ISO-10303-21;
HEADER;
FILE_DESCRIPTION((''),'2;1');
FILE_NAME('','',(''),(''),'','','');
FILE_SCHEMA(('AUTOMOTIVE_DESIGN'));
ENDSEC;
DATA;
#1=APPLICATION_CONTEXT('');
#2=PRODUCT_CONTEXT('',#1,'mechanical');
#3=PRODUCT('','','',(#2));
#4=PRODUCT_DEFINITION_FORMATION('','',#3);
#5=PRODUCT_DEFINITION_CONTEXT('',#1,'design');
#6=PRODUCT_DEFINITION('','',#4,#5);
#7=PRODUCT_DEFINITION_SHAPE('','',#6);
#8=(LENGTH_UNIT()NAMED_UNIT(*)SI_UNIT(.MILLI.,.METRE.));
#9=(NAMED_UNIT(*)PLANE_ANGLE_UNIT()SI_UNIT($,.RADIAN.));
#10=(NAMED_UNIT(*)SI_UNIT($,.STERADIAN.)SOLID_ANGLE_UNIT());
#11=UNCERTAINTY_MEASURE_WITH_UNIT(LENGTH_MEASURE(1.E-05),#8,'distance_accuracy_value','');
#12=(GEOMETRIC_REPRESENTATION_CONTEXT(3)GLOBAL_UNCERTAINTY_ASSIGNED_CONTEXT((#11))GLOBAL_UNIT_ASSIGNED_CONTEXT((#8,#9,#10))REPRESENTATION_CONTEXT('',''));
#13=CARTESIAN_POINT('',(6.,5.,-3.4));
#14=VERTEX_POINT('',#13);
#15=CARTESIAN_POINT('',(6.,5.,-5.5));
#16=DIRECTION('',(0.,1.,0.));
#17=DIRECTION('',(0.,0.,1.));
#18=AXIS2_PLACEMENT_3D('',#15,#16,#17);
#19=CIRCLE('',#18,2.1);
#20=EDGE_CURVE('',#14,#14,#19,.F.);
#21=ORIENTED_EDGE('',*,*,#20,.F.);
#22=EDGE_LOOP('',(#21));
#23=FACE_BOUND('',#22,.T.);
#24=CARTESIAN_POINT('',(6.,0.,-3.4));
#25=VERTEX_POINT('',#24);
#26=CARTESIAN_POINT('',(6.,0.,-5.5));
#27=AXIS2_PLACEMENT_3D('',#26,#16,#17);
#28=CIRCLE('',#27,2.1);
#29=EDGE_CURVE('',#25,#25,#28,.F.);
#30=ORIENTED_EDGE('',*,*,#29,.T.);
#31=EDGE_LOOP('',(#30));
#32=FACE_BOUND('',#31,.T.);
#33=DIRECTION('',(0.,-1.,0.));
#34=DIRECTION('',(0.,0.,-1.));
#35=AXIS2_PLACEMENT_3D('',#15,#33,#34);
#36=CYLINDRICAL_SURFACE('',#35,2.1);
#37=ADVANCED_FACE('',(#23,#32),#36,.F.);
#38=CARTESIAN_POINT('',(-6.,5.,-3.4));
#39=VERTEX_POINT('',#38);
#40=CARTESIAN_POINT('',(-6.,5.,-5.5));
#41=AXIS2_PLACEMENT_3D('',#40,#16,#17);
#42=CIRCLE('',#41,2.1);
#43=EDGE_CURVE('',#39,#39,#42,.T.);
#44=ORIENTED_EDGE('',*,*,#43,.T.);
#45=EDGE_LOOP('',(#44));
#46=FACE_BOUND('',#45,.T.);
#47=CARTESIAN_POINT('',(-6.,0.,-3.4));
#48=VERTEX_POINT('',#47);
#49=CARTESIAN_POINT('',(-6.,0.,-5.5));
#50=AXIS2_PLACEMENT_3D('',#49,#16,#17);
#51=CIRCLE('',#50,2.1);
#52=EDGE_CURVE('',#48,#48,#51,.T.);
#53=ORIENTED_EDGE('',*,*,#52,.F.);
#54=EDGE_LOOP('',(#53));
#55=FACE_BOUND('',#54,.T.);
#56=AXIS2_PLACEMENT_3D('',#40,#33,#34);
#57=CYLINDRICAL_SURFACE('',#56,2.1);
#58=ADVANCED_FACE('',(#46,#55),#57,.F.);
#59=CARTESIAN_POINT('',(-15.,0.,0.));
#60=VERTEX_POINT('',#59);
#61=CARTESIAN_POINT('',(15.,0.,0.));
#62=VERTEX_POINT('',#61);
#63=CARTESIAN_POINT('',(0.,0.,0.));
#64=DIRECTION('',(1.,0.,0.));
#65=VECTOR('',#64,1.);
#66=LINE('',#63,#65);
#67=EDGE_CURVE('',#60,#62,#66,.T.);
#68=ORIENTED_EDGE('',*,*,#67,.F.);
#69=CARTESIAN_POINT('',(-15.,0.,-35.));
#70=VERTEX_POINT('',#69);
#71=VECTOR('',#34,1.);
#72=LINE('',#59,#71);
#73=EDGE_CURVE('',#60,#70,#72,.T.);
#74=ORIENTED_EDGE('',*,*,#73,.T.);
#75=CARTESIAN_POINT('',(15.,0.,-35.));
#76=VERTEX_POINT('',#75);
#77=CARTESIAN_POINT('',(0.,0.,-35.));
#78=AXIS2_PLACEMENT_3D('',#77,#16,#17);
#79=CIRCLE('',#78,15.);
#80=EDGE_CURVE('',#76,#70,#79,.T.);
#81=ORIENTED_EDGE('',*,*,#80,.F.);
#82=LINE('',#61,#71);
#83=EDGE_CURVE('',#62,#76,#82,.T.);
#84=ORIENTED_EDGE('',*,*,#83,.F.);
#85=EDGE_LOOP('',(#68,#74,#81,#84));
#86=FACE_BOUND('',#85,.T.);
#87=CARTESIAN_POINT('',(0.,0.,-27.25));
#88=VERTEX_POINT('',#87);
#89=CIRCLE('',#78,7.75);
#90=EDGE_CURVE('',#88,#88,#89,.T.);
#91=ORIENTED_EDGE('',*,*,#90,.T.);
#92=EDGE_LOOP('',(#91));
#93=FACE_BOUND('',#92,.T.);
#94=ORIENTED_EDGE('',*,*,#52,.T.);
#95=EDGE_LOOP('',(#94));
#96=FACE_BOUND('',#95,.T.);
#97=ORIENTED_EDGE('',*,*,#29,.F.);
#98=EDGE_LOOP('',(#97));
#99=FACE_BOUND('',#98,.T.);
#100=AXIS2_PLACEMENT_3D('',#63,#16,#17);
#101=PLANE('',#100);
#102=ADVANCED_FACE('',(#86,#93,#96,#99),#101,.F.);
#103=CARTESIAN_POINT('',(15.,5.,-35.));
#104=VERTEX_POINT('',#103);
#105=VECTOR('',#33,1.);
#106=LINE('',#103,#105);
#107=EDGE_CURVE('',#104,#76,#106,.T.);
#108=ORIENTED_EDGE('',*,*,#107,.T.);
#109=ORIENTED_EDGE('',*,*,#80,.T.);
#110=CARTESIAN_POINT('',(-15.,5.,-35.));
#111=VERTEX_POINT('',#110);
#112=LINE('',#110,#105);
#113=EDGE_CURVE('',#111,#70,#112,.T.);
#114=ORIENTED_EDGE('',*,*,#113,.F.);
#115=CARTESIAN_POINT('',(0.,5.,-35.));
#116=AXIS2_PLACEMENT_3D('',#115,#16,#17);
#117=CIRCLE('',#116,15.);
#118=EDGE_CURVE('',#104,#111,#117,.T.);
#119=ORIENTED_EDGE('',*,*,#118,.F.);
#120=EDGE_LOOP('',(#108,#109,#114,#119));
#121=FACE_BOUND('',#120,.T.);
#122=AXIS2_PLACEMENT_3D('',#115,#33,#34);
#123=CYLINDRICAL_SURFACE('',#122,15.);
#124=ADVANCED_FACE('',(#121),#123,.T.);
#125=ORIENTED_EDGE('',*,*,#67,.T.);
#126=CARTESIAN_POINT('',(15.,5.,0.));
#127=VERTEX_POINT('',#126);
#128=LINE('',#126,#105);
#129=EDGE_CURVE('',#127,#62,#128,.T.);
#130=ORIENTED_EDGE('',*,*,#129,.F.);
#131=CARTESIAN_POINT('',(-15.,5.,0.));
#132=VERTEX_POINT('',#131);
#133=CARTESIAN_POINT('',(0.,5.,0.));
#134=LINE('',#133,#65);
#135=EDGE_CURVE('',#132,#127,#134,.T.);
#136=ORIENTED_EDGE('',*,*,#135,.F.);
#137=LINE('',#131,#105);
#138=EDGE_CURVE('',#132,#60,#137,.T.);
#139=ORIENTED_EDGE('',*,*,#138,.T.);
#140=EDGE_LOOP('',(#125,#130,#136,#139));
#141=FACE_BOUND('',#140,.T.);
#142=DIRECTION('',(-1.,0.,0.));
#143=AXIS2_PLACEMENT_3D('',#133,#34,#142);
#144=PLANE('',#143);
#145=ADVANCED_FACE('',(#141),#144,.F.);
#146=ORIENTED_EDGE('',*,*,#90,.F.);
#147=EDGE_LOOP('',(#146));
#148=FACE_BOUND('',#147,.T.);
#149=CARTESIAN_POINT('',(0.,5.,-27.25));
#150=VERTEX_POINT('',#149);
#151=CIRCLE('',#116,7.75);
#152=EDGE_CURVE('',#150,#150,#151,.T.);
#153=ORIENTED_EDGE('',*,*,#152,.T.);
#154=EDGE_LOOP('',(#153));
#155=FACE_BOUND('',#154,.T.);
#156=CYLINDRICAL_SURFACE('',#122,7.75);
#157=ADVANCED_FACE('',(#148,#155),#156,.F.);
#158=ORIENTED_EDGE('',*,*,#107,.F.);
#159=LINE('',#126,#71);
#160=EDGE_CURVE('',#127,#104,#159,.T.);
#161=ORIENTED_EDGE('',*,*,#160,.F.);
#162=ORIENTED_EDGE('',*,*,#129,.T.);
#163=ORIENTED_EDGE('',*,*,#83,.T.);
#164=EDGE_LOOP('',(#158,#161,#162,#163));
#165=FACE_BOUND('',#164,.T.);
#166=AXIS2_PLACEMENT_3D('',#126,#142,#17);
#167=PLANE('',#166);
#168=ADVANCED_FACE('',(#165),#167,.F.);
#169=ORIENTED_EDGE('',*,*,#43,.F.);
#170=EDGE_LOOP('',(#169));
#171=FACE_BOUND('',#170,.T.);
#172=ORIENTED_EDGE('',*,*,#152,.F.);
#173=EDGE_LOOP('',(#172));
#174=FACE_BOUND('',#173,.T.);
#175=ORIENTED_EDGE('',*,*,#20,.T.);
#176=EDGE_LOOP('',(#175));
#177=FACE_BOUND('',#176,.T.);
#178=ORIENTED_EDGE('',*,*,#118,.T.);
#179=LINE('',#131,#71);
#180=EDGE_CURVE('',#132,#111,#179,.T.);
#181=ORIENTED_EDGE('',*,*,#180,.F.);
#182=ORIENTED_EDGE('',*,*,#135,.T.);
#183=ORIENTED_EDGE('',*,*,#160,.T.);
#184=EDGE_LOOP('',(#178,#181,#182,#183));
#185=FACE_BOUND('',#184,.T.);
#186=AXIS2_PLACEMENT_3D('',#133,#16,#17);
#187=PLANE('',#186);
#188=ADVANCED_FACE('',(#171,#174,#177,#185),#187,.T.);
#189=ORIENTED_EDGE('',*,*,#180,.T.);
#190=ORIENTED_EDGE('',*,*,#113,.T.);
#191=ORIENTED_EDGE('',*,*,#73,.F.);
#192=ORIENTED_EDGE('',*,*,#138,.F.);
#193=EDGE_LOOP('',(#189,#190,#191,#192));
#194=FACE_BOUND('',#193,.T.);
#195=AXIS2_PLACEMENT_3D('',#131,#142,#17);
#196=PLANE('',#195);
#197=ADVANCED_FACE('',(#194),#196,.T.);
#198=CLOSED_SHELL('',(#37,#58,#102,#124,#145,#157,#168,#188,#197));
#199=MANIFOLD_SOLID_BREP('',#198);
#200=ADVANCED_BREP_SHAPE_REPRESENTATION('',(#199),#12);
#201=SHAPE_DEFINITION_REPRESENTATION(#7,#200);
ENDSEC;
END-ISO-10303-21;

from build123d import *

# Parameters (mm, degrees)
SKETCH_1_R      = 7.75
SKETCH_1_R_2    = 2.1
EXTRUDE_1_DEPTH = 5


with BuildPart() as part:
    # 草图1 → 凸台-拉伸1 (new body)
    with BuildSketch(Plane(origin=(0, 0, 0), x_dir=(1, 0, 0), z_dir=(0, 1, 0))):
        with BuildLine():
            Line((15, 0), (15, 35))
            ThreePointArc((15, 35), (0, 50), (-15, 35))
            Line((-15, 35), (-15, 0))
            Line((-15, 0), (15, 0))
        make_face()
        with Locations(Location((0, 35, 0), (0, 0, 270))):
            Circle(SKETCH_1_R, mode=Mode.SUBTRACT)
        with Locations(Location((-6, 5.5, 0), (0, 0, 270))):
            Circle(SKETCH_1_R_2, mode=Mode.SUBTRACT)
        with Locations(Location((6, 5.5, 0), (0, 0, 270))):
            Circle(SKETCH_1_R_2, mode=Mode.SUBTRACT)
    extrude(amount=EXTRUDE_1_DEPTH)


solid = part.part
